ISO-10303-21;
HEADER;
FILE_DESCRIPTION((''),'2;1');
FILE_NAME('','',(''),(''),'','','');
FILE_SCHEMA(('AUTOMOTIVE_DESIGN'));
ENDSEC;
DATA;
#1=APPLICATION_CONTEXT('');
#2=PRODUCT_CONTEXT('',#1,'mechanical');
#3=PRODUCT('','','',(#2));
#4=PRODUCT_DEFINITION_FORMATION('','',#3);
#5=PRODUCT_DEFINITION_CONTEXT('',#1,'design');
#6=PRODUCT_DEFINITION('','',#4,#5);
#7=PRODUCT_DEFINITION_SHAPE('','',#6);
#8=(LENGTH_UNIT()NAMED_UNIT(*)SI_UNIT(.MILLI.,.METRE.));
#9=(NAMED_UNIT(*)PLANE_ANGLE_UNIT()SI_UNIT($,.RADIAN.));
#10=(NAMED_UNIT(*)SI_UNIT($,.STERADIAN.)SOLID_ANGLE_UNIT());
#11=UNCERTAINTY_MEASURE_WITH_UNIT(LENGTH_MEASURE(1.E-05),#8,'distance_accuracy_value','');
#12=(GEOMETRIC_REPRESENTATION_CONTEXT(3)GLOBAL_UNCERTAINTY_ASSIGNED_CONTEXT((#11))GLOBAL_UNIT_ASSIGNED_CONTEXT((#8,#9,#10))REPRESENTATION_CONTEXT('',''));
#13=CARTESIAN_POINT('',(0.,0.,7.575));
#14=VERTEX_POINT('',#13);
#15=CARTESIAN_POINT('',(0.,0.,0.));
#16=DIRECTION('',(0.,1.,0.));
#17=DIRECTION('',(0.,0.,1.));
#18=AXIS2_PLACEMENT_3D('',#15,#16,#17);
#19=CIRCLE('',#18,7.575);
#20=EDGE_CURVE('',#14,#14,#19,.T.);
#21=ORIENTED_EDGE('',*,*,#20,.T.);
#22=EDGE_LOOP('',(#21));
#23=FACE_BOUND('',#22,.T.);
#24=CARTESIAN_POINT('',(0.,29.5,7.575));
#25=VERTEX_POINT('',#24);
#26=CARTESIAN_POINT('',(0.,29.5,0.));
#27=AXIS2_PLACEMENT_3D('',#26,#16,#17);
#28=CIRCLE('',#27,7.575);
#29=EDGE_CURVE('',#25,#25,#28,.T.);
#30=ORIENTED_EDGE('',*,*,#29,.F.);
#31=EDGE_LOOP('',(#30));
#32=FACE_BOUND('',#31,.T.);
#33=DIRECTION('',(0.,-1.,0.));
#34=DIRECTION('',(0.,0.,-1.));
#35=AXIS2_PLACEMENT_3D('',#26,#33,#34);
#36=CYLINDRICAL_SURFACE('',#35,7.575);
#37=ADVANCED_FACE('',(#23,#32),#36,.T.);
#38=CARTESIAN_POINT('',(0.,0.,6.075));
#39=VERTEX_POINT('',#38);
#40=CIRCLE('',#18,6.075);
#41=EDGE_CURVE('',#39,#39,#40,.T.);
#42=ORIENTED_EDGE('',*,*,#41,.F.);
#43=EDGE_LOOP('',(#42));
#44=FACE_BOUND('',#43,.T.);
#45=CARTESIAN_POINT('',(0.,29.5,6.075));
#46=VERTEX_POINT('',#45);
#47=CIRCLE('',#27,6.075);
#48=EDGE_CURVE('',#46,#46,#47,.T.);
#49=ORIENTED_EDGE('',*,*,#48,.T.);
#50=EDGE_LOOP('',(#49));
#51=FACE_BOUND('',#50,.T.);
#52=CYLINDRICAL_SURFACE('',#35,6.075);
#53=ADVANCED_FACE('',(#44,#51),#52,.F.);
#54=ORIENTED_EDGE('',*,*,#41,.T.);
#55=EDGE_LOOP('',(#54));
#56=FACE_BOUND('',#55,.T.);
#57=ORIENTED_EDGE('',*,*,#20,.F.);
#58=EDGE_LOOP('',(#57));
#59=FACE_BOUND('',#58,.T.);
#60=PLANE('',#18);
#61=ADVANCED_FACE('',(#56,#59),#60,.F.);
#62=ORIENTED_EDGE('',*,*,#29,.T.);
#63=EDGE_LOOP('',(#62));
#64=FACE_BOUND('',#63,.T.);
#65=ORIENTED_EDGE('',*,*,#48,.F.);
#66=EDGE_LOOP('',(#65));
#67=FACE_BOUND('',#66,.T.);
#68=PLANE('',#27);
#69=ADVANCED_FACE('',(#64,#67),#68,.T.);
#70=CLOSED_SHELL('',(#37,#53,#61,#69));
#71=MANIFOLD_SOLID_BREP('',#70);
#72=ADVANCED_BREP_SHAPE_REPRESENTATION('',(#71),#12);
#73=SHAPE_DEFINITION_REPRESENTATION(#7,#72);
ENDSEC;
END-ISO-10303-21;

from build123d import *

# Parameters (mm, degrees)
SKETCH1_R           = 7.575
SKETCH1_R_2         = 6.075
BOSS_EXTRUDE1_DEPTH = 29.5


with BuildPart() as part:
    # Sketch1 → Boss-Extrude1 (new body)
    with BuildSketch(Plane(origin=(0, 0, 0), x_dir=(1, 0, 0), z_dir=(0, 1, 0))):
        with Locations(Location((0, 0, 0), (0, 0, 270))):
            Circle(SKETCH1_R)
        with Locations(Location((0, 0, 0), (0, 0, 270))):
            Circle(SKETCH1_R_2, mode=Mode.SUBTRACT)
    extrude(amount=BOSS_EXTRUDE1_DEPTH)


solid = part.part
